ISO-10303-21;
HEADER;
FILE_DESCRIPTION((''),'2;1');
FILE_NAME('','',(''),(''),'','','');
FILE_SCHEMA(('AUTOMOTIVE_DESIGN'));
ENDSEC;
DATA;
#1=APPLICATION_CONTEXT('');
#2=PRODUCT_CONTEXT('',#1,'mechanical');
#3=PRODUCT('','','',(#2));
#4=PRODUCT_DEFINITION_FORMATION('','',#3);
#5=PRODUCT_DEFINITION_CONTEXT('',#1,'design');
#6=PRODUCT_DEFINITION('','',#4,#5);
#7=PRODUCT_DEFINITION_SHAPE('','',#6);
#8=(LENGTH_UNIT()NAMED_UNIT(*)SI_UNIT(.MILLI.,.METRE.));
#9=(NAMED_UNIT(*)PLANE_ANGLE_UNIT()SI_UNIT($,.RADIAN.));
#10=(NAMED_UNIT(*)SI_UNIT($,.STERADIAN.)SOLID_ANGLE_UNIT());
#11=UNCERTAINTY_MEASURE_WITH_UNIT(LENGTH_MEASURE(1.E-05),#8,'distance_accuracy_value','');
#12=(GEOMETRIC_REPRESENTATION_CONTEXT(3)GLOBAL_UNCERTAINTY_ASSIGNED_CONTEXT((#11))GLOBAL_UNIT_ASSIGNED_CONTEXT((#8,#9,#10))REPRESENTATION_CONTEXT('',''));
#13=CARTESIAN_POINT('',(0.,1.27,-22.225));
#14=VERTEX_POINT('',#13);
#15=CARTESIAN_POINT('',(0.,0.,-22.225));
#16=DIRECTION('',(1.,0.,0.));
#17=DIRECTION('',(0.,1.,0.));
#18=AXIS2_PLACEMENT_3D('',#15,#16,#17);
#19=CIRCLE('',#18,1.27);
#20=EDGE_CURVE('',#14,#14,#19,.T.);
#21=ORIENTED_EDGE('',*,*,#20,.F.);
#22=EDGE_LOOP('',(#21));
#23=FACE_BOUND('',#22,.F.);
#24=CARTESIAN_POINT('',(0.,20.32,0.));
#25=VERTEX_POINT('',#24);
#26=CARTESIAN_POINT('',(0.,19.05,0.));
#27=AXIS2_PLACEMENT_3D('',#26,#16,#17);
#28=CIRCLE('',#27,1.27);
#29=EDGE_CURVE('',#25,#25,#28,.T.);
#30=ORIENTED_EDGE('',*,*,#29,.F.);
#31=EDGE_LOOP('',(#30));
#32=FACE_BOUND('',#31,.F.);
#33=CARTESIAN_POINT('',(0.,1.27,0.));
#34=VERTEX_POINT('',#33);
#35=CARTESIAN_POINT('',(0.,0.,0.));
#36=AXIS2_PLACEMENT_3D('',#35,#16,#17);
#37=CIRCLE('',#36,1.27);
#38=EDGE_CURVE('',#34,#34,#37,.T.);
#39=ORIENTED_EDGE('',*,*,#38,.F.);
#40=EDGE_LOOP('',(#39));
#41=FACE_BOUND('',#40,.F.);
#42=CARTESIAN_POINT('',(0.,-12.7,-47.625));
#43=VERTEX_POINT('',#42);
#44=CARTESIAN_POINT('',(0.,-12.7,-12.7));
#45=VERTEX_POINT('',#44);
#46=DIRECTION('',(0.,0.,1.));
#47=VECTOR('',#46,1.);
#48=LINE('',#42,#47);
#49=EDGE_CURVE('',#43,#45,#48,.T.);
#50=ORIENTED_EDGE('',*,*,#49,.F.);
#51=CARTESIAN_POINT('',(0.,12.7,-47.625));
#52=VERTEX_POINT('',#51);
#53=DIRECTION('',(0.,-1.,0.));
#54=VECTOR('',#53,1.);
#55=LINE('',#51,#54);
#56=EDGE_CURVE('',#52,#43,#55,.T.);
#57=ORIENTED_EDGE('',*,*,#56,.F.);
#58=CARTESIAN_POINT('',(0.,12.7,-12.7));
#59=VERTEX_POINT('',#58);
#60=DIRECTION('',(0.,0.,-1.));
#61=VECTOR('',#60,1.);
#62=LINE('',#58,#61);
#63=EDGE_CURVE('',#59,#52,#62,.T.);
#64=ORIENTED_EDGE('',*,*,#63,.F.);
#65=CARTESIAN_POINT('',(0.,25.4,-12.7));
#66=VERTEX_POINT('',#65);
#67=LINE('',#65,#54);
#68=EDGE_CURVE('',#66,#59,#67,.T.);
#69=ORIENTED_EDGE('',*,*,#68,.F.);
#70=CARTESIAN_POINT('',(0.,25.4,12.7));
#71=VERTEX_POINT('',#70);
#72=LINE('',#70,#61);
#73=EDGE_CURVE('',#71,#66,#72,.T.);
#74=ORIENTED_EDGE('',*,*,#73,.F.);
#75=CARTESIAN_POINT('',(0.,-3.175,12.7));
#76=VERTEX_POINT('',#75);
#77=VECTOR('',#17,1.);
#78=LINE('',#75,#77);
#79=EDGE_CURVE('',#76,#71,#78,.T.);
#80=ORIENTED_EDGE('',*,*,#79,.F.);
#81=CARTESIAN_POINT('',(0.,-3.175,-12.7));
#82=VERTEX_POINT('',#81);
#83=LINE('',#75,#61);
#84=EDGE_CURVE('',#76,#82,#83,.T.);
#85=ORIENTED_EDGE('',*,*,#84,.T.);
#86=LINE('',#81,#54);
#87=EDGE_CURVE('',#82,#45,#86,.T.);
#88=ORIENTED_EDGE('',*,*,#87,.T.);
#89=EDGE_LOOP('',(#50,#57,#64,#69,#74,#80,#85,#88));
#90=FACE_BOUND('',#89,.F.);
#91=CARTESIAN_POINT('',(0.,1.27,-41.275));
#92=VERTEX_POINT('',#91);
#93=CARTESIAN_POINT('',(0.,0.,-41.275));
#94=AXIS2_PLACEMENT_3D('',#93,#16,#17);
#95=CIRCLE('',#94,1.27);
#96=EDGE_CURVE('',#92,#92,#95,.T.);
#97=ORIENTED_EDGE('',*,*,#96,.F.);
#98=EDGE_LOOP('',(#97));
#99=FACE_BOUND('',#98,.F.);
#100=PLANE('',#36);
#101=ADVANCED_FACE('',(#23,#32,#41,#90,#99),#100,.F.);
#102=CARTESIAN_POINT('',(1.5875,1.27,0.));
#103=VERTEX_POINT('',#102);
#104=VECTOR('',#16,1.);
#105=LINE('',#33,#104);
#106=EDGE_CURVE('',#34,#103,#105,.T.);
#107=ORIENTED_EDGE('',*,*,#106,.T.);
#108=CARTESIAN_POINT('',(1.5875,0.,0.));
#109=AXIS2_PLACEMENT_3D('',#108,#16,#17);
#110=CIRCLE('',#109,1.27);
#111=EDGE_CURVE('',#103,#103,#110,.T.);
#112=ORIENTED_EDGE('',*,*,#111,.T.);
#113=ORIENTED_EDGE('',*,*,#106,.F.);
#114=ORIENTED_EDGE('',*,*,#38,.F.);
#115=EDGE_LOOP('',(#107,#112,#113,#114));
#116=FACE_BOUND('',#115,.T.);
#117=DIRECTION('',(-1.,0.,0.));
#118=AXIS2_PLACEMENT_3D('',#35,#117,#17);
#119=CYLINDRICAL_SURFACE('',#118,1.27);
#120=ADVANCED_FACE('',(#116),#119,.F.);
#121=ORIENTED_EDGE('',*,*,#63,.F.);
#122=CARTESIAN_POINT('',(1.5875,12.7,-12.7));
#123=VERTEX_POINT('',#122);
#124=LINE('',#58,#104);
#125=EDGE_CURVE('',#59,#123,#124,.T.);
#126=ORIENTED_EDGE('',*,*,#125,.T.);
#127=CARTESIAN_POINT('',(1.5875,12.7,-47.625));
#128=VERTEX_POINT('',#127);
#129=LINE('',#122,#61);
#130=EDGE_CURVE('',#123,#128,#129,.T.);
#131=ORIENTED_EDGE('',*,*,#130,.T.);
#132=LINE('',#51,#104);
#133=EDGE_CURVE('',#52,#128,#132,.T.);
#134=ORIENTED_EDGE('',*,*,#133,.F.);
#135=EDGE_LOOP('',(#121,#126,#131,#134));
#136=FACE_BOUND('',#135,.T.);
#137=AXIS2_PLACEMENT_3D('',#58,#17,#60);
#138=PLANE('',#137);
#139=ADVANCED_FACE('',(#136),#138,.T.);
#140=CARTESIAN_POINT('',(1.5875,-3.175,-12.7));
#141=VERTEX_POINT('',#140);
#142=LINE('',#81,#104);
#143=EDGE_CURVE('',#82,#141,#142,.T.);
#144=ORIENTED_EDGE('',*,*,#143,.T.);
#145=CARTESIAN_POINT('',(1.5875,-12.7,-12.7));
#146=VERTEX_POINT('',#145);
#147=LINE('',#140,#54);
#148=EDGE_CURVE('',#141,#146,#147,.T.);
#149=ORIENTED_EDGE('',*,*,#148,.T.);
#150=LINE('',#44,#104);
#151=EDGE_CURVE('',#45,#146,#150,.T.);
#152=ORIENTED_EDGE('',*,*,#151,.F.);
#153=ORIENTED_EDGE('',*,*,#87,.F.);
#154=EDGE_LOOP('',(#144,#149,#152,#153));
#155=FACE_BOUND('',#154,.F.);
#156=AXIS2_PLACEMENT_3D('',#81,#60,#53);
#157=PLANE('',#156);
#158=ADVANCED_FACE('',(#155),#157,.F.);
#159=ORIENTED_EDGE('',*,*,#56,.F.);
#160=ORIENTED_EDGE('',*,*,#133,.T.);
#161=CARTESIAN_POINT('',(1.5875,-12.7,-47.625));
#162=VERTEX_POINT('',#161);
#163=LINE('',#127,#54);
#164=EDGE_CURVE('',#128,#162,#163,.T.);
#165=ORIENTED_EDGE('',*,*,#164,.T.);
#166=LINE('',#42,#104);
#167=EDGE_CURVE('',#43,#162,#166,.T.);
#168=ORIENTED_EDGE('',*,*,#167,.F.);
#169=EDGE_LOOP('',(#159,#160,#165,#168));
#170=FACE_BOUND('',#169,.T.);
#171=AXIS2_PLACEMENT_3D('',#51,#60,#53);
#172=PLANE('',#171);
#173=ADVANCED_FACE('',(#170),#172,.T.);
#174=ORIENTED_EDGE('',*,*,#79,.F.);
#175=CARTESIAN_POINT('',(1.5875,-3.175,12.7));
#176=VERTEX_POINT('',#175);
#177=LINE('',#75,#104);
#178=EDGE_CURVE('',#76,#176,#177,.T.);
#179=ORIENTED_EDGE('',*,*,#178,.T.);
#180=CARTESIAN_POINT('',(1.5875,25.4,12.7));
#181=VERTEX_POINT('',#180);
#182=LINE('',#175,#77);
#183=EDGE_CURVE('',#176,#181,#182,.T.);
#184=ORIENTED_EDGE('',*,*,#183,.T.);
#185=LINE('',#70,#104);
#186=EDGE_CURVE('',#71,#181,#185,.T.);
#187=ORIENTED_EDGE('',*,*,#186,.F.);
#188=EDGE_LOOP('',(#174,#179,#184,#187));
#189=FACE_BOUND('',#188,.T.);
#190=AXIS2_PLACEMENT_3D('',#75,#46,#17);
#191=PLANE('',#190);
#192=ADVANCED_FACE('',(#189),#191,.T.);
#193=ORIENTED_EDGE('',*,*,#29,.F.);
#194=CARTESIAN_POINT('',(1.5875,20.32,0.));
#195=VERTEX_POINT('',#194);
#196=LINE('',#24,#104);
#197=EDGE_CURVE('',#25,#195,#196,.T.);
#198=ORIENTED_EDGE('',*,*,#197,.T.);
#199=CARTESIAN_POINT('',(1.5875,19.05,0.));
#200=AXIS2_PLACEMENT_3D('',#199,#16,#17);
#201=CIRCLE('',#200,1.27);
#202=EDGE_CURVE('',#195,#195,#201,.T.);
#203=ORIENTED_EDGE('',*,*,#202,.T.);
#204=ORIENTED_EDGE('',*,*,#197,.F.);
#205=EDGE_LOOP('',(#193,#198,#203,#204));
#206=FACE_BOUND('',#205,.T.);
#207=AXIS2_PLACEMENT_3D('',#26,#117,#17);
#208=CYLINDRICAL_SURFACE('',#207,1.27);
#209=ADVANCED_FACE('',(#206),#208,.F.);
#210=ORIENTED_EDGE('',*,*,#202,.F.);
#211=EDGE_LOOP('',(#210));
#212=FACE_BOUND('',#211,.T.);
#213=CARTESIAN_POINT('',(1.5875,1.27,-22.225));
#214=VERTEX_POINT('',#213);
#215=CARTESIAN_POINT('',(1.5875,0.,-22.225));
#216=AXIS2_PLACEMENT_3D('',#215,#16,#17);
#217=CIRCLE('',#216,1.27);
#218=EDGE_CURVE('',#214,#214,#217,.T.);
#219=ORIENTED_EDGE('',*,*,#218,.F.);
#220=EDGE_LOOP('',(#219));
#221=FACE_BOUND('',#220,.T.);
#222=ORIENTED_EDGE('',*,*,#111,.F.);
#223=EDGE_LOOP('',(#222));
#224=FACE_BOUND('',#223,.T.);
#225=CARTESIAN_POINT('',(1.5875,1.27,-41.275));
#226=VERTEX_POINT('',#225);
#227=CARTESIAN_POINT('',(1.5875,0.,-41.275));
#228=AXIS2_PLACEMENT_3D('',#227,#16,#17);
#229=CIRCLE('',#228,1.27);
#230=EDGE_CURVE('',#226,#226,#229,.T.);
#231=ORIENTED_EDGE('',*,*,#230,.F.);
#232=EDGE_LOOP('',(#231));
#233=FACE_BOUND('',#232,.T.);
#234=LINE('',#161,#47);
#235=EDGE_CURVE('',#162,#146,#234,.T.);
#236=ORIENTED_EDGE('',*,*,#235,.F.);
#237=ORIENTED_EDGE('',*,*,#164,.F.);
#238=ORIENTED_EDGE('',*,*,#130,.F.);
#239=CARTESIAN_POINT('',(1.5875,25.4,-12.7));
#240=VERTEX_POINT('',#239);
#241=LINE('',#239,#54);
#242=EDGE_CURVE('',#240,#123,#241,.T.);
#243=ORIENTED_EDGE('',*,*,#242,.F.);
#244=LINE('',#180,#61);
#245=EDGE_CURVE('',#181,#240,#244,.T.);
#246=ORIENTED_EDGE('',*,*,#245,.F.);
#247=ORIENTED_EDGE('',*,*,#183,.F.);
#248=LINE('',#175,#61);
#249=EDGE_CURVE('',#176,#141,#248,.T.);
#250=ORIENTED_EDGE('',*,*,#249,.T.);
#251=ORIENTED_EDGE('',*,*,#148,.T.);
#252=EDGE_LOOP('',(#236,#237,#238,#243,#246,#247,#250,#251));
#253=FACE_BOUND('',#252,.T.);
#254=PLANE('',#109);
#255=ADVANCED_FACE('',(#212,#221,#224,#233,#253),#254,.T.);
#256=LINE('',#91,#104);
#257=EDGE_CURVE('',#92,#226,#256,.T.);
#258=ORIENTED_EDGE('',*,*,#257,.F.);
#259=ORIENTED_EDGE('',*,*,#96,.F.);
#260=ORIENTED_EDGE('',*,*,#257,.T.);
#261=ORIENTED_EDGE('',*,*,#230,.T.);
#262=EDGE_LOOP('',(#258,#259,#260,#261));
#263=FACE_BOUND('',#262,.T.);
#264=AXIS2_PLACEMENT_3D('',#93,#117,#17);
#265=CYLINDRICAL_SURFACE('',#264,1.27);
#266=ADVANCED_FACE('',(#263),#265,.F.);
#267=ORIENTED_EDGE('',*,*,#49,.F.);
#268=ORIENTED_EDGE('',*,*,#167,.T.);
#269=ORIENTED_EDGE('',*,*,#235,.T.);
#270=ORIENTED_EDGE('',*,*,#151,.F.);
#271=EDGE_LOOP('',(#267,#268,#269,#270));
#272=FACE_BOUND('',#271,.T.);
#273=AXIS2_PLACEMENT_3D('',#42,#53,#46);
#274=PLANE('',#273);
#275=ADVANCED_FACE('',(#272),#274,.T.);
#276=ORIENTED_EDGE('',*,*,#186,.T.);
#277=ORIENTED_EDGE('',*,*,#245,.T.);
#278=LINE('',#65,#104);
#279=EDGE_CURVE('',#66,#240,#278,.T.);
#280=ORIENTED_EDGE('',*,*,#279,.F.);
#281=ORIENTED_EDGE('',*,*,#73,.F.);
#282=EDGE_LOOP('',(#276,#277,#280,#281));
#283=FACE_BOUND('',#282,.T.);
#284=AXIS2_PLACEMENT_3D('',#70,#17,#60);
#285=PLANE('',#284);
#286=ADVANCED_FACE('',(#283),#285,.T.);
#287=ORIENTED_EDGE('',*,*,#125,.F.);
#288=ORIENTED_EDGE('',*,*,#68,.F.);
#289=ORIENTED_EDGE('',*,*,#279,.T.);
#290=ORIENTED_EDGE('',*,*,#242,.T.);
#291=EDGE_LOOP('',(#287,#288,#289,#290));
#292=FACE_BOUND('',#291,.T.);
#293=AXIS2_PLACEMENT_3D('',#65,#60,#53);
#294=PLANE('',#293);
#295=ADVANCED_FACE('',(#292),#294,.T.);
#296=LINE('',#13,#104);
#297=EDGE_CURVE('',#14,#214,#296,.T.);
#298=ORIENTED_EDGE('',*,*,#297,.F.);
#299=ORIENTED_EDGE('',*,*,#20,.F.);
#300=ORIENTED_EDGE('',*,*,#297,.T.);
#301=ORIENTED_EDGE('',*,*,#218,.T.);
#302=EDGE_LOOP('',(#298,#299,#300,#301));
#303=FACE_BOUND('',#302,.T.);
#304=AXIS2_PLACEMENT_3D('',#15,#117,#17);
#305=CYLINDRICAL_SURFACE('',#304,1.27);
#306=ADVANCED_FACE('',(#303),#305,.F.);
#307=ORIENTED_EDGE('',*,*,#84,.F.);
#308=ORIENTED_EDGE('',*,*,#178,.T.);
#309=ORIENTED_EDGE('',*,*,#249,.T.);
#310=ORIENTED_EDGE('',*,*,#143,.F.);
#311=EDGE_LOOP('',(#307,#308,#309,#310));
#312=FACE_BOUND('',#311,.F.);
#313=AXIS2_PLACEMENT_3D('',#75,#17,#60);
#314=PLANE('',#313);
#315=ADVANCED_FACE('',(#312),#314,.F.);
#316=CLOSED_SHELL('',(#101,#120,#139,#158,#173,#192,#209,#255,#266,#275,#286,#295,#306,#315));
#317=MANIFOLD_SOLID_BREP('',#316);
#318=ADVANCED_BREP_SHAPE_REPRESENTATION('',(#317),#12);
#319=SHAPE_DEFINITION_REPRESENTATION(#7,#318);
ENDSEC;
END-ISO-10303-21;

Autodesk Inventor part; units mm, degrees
ref_plane "YZ Plane" through (0, 0, 0) normal (1, 0, 0) x (0, 1, 0)
ref_plane "XZ Plane" through (0, 0, 0) normal (0, 1, 0) x (-1, 0, 0)
ref_plane "XY Plane" through (0, 0, 0) normal (0, 0, 1) x (1, 0, 0)
sketch "Sketch1" plane through (0, 0, 0) normal (1, 0, 0) x (0, 1, 0)
  circle A0 centre (0, 0) radius 1.27
  line L0 (0, 0) -> (19.05, 0) construction
  line L1 (0, 0) -> (0, -41.275) construction
  circle A1 centre (19.05, 0) radius 1.27
  circle A2 centre (0, -22.225) radius 1.27
  circle A3 centre (0, -41.275) radius 1.27
  line L2 (25.4, 12.7) -> (25.4, -12.7)
  line L3 (25.4, -12.7) -> (12.7, -12.7)
  line L4 (12.7, -12.7) -> (12.7, -47.625)
  line L5 (12.7, -47.625) -> (-12.7, -47.625)
  line L6 (-12.7, -47.625) -> (-12.7, -12.7)
  line L7 (-3.175, 12.7) -> (25.4, 12.7)
  line L8 (19.05, 0) -> (25.4, 0) construction
  line L9 (0, -41.275) -> (0, -47.625) construction
  line L10 (-3.175, 12.7) -> (-3.175, -12.7)
  line L11 (-3.175, -12.7) -> (-12.7, -12.7)
  dimension "d0" = 2.54
  dimension "d1" = 19.05
  dimension "d2" = 22.225
  dimension "d3" = 19.05
  dimension "d4" = 25.4
  dimension "d5" = 6.35
  dimension "d6" = 6.35
  dimension "d9" = 25.4
  dimension "d10" = 9.525
extrude "Extrusion1" add sketch "Sketch1" along normal blind 1.5875
equation "\"d6\" = d5"
properties part number "Inside L Plate"
